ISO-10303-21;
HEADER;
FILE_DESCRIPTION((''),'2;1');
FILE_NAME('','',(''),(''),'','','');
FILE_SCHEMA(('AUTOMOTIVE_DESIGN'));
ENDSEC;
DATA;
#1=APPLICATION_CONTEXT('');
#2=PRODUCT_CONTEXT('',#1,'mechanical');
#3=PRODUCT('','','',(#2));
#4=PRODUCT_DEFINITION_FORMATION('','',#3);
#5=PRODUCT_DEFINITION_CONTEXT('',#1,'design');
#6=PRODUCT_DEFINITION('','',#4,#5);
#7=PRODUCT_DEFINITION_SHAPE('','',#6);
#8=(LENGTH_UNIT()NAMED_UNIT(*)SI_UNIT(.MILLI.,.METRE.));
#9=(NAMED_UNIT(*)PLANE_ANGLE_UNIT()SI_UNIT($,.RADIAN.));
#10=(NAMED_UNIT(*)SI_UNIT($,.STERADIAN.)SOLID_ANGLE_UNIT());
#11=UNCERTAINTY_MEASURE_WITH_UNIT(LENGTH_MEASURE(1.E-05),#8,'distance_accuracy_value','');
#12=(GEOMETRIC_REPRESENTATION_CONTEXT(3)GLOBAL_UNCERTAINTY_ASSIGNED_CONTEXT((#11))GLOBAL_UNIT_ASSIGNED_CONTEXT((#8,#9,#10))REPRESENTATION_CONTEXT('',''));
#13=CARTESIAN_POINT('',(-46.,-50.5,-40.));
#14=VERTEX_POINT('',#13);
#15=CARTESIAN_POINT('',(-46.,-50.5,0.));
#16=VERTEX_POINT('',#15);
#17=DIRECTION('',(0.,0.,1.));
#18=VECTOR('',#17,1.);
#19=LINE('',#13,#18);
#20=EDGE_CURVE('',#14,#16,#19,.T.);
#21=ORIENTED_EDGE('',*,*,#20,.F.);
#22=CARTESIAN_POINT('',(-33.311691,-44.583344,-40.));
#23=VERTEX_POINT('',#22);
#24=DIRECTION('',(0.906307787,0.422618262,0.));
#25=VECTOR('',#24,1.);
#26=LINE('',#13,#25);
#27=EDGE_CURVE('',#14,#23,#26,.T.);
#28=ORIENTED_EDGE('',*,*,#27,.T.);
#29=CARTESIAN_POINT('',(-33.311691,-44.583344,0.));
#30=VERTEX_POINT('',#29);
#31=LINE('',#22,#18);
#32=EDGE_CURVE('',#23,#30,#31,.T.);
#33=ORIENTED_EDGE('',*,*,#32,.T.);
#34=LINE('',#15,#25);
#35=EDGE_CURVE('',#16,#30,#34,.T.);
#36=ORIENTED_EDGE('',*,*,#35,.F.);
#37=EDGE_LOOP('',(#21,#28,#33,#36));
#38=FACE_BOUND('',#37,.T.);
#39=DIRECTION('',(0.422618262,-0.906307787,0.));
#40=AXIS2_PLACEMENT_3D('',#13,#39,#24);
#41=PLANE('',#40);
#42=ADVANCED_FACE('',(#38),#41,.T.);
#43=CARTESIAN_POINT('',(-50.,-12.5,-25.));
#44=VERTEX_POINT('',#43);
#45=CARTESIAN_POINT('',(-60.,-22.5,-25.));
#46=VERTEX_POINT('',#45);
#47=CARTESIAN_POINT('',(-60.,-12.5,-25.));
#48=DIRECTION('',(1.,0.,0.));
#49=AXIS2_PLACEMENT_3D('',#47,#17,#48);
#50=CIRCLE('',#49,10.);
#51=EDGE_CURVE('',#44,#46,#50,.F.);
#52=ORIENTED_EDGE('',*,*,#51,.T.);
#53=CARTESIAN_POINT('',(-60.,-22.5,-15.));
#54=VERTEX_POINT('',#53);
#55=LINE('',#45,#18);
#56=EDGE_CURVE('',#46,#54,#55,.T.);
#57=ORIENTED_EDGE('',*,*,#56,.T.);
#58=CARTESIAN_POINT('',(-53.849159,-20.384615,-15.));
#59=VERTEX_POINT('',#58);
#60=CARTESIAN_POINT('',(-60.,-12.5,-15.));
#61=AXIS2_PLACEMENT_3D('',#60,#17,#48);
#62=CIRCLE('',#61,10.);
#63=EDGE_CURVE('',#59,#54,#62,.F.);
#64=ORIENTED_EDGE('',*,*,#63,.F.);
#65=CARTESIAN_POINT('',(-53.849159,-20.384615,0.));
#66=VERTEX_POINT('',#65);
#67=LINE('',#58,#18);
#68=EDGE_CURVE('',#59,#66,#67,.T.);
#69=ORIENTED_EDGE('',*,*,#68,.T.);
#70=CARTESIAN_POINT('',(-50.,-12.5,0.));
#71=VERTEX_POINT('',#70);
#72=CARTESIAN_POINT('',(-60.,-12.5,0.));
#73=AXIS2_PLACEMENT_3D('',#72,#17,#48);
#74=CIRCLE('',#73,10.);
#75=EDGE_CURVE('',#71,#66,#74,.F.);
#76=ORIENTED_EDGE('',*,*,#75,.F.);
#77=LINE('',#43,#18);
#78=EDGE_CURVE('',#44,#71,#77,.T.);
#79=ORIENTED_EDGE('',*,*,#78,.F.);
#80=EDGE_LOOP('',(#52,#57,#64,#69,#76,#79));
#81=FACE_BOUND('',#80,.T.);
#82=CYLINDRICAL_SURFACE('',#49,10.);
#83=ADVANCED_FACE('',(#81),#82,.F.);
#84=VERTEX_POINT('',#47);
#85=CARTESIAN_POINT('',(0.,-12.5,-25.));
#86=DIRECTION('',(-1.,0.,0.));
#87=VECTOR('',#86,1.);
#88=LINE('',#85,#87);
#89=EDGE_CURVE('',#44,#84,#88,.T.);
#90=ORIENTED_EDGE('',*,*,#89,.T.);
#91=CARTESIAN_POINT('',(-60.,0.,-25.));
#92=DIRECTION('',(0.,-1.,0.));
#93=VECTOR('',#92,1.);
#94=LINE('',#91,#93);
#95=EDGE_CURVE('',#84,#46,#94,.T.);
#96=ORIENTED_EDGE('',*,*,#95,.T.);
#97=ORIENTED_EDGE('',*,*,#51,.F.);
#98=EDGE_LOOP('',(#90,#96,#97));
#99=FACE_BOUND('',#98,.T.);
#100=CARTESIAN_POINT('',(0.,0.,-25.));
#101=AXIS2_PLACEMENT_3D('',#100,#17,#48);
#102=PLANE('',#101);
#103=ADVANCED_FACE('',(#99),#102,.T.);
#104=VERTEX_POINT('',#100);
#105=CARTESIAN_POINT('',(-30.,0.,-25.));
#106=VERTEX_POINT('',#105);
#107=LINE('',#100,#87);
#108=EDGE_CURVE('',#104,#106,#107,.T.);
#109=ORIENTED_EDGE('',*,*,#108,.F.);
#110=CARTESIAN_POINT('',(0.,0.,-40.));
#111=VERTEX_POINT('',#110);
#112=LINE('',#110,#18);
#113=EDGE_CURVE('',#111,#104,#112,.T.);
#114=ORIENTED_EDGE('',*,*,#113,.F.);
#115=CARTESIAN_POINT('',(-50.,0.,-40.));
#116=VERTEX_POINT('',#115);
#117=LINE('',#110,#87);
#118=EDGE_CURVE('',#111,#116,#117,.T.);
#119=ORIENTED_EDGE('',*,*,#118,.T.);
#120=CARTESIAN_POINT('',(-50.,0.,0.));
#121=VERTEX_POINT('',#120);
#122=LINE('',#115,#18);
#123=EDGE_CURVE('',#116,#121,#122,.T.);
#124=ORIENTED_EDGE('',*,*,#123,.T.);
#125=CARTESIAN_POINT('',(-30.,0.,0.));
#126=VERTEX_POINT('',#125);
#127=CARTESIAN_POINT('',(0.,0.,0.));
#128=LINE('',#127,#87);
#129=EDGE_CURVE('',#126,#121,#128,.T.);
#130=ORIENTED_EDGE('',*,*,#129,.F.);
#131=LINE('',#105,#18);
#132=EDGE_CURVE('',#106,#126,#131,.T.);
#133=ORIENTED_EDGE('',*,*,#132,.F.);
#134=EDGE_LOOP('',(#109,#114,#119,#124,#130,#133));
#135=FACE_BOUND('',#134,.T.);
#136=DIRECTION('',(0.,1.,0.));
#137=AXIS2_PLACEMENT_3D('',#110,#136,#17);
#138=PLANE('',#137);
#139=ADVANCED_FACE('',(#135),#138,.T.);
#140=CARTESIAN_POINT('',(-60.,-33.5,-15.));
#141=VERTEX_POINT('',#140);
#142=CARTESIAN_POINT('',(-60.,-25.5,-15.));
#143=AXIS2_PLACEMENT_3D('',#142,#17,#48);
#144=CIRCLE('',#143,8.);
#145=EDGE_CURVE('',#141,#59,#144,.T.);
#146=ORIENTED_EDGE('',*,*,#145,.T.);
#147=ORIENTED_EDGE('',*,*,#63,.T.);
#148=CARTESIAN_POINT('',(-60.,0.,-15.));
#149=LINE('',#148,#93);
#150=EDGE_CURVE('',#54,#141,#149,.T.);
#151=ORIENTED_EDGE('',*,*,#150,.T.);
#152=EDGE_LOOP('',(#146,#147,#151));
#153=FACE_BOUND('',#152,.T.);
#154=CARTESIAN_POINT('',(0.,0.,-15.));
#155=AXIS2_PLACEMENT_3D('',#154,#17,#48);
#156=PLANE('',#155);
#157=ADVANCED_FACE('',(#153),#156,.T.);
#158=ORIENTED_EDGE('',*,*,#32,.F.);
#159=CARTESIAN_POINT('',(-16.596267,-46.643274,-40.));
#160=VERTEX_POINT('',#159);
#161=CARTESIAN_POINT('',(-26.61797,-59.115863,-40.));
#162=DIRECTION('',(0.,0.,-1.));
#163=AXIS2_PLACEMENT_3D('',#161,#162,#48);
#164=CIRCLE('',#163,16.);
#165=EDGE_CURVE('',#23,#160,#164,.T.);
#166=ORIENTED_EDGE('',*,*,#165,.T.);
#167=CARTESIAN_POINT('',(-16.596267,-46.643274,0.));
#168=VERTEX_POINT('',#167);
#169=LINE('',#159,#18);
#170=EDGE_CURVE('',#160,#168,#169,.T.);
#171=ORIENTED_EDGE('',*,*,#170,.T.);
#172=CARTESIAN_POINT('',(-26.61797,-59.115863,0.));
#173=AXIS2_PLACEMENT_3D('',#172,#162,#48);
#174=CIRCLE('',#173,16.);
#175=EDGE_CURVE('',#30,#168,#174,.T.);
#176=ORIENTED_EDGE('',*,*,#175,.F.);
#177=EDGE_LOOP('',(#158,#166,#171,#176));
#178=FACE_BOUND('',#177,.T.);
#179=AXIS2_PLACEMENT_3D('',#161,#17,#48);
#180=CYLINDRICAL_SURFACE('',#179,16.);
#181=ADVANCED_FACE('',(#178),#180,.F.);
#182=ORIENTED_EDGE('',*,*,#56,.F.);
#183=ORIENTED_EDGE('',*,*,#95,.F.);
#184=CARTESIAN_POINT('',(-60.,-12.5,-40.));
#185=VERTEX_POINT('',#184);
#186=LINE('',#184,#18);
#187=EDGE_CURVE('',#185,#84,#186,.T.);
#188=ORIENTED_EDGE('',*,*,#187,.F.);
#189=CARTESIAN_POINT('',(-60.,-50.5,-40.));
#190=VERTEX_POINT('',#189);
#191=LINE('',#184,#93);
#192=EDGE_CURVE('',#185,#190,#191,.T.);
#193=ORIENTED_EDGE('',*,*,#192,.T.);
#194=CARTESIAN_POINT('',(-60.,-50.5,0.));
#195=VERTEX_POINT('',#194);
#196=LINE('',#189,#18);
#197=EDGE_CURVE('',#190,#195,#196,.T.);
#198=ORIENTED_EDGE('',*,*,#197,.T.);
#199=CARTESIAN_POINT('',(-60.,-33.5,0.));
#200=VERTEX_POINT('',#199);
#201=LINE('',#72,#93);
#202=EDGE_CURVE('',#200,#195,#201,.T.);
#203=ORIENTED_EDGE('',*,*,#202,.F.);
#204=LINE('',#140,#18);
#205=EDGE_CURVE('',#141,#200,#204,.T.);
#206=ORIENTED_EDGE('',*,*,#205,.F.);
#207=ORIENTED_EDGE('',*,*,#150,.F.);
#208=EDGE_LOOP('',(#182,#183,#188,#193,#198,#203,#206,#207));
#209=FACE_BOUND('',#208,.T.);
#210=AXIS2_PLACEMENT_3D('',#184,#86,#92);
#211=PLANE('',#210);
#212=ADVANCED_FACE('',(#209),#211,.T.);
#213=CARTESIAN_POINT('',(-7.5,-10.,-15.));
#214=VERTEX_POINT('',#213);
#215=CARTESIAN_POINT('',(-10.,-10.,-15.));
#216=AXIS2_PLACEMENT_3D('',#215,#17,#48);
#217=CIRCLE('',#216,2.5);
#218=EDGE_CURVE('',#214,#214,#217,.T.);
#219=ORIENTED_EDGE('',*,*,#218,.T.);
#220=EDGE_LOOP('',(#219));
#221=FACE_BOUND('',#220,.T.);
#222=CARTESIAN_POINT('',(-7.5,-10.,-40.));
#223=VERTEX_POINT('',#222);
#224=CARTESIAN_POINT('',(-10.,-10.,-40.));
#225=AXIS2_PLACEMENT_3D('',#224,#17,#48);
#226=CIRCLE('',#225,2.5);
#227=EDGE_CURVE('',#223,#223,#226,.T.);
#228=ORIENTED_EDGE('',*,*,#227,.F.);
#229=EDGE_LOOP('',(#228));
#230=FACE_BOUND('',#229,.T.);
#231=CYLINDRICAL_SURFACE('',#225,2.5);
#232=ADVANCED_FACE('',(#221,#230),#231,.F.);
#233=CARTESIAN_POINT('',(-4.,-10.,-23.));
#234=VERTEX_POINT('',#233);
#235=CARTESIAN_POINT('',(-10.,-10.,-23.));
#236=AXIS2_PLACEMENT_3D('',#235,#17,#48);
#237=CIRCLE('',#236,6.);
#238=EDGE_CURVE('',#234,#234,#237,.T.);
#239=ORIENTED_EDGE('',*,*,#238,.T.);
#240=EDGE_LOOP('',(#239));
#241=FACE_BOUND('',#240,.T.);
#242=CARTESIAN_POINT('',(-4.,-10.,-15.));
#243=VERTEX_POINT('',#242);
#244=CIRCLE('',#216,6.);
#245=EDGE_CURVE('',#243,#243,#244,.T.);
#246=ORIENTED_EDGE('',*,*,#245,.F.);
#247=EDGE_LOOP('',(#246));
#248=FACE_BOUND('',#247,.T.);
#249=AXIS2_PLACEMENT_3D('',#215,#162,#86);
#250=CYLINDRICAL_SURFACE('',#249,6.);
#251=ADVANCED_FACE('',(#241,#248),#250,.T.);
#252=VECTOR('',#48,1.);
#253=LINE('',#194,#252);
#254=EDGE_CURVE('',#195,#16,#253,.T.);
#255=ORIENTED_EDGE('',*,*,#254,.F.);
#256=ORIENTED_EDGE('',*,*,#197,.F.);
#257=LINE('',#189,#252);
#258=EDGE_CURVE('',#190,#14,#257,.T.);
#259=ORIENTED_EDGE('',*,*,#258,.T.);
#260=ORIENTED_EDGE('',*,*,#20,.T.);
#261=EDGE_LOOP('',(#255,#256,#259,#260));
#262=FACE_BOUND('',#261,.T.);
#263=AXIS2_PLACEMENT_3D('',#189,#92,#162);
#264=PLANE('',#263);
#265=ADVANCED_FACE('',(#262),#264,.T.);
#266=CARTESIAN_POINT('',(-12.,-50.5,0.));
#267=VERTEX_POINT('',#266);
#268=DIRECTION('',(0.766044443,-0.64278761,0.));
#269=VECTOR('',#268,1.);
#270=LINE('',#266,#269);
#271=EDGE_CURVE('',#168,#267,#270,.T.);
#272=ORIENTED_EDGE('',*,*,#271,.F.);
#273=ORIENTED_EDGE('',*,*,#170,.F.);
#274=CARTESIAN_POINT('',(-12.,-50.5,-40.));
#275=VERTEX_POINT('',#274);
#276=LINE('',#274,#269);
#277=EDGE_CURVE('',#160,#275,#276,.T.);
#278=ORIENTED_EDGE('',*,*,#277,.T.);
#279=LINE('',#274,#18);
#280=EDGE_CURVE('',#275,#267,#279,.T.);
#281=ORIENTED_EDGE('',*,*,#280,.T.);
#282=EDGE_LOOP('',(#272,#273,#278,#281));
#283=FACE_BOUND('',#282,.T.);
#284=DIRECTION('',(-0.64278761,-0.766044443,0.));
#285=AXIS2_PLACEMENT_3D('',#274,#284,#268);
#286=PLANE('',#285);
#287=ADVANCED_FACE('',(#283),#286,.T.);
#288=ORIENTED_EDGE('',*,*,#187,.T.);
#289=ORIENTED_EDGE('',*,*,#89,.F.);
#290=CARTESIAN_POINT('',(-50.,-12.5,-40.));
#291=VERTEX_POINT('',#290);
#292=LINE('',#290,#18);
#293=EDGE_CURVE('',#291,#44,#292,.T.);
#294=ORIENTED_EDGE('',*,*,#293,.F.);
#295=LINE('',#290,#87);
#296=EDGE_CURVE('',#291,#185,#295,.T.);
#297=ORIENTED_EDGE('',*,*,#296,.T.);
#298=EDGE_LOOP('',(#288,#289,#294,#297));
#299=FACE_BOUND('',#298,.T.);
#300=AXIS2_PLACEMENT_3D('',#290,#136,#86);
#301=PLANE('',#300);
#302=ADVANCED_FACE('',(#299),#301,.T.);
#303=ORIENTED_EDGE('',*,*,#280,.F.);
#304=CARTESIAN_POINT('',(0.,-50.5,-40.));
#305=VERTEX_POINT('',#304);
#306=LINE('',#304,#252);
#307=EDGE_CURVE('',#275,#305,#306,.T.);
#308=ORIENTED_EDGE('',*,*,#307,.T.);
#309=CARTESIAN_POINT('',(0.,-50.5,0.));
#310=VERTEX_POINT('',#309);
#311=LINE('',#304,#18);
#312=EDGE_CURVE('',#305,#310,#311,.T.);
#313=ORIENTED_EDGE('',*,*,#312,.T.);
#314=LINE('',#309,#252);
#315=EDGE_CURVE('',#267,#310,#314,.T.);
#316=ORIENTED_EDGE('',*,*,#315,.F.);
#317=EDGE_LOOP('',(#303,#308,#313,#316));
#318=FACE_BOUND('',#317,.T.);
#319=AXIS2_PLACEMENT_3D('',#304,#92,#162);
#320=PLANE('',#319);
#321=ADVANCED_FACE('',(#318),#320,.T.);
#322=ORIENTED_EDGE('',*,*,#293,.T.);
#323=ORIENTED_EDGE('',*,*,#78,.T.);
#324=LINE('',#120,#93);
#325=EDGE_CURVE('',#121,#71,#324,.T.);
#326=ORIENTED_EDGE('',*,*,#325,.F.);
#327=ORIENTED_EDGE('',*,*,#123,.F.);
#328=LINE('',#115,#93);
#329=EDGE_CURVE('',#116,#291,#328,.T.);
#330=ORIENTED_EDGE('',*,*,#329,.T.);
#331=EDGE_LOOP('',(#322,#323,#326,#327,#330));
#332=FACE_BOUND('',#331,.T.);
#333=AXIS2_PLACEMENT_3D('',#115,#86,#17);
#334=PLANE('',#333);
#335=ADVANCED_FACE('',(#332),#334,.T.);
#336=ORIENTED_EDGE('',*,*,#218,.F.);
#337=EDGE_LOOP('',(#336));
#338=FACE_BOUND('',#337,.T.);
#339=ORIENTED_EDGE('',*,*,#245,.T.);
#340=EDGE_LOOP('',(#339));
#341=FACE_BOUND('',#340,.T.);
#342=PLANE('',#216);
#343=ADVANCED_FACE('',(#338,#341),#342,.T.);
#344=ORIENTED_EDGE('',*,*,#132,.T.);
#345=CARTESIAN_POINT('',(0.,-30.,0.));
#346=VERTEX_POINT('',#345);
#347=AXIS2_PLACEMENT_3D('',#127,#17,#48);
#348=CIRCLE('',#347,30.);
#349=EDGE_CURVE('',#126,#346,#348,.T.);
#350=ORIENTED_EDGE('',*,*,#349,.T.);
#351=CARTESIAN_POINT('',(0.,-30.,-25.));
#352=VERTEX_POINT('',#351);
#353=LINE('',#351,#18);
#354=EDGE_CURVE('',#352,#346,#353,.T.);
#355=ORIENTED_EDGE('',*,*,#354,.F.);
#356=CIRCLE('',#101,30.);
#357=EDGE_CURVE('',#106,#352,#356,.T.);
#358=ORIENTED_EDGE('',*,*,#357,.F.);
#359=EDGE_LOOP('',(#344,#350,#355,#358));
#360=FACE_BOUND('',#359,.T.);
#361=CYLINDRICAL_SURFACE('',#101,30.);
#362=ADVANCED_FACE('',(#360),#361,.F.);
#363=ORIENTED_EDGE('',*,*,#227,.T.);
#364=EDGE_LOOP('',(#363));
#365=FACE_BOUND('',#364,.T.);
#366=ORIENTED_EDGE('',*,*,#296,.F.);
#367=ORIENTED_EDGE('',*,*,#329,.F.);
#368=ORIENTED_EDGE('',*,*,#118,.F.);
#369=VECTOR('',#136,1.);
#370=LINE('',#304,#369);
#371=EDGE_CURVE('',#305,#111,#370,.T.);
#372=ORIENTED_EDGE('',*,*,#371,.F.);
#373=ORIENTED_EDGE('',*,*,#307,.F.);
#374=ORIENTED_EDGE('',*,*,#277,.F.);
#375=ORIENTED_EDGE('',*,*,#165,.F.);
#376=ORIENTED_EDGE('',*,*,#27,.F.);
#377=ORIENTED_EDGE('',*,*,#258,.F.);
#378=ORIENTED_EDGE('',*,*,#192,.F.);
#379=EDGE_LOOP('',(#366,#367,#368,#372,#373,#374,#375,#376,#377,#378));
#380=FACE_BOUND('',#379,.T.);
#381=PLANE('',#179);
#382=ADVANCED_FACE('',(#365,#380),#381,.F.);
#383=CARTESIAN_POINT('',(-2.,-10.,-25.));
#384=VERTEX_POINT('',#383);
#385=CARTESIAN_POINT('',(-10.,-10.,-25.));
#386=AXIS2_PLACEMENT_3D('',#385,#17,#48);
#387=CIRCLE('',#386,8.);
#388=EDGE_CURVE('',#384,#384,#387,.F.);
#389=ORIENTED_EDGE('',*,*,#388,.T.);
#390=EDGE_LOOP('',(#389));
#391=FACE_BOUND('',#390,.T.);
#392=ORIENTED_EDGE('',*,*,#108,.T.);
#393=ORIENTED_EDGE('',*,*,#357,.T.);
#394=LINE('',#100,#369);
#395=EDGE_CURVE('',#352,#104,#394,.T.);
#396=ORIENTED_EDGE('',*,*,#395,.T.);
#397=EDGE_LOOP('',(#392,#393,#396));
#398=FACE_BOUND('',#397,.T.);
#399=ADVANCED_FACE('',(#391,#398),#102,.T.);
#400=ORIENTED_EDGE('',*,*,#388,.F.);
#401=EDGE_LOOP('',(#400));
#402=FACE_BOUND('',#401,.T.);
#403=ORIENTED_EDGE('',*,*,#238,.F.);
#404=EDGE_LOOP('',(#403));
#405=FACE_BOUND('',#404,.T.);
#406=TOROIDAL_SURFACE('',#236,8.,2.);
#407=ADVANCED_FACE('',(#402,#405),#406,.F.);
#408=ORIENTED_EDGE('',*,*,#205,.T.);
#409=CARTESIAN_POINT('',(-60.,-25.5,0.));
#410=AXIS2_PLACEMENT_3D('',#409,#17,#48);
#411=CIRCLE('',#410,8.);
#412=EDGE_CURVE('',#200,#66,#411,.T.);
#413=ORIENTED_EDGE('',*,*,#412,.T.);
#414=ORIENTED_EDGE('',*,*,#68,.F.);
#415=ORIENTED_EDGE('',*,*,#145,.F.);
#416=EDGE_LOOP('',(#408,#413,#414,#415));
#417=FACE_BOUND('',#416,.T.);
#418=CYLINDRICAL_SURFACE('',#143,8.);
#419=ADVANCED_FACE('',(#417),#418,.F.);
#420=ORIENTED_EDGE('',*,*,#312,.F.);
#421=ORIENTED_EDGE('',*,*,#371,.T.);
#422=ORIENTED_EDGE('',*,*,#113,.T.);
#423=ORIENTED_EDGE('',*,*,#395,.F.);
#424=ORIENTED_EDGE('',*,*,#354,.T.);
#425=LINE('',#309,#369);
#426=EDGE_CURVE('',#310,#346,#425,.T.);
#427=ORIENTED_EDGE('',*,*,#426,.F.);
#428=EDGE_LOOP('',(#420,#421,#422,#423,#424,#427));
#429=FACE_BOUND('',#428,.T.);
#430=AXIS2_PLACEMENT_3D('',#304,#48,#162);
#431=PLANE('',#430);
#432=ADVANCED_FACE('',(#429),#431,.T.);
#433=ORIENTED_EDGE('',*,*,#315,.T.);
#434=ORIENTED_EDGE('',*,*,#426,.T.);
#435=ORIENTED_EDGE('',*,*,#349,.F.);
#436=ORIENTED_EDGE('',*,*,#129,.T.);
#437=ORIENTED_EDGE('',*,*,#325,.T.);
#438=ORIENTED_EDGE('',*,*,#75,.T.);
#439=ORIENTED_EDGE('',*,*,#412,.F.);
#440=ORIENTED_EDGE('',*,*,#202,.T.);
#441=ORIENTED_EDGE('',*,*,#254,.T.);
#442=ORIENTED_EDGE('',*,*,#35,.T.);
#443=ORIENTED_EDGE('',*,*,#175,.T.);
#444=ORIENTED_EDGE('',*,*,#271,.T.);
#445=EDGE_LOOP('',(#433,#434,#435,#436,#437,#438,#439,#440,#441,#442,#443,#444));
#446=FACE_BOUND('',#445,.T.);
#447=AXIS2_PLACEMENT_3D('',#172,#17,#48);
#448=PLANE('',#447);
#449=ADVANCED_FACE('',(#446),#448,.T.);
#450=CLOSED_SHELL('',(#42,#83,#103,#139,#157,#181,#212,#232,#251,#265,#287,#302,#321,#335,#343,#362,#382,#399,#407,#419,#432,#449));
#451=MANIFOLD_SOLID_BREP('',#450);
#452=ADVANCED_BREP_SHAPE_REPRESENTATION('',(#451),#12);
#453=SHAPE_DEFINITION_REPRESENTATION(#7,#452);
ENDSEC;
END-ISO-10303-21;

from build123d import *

# Parameters (mm, degrees)
BOSS_EXTRUDE1_DEPTH = 40
CUT_EXTRUDE1_DEPTH  = 25
CUT_EXTRUDE2_DEPTH  = 15
SKETCH3_R           = 2.5
CUT_EXTRUDE3_DEPTH  = 83.311906794
BOSS_EXTRUDE2_START = 10
SKETCH3_6_R         = 6
SKETCH3_6_R_2       = 2.5
BOSS_EXTRUDE2_DEPTH = 10
FILLET2_R           = 2


with BuildPart() as part:
    # Sketch1 → Boss-Extrude1 (new body)
    with BuildSketch(Plane.XY):
        with BuildLine():
            Line((0, 0), (-50, 0))
            Line((-50, 0), (-50, -12.5))
            Line((-50, -12.5), (-60, -12.5))
            Line((-60, -12.5), (-60, -50.5))
            Line((-60, -50.5), (-46, -50.5))
            Line((-46, -50.5), (-33.311690981, -44.583344336))
            ThreePointArc((-33.311690981, -44.583344336), (-24.66100943, -43.235991833), (-16.596266659, -46.643274342))
            Line((-16.596266659, -46.643274342), (-12, -50.5))
            Line((-12, -50.5), (0, -50.5))
            Line((0, -50.5), (0, 0))
        make_face()
    extrude(amount=-BOSS_EXTRUDE1_DEPTH)

    # Sketch2 → Cut-Extrude1 (cut)
    with BuildSketch(Plane.XY):
        with BuildLine():
            ThreePointArc((-60, -22.5), (-52.928932188, -19.571067812), (-50, -12.5))
            Line((-50, -12.5), (-60, -12.5))
            Line((-60, -12.5), (-60, -22.5))
        make_face()
        with BuildLine():
            Line((0, 0), (-30, 0))
            ThreePointArc((-30, 0), (-21.213203436, -21.213203436), (0, -30))
            Line((0, -30), (0, 0))
        make_face()
    extrude(amount=-CUT_EXTRUDE1_DEPTH, mode=Mode.SUBTRACT)

    # Sketch2<7> → Cut-Extrude2 (cut)
    with BuildSketch(Plane.XY):
        with BuildLine():
            ThreePointArc((-60, -33.5), (-52.756966211, -28.896831102), (-53.849159388, -20.384615385))
            ThreePointArc((-53.849159388, -20.384615385), (-56.747781822, -21.956377579), (-60, -22.5))
            Line((-60, -22.5), (-60, -33.5))
        make_face()
    extrude(amount=-CUT_EXTRUDE2_DEPTH, mode=Mode.SUBTRACT)

    # Sketch3 → Cut-Extrude3 (cut, through all)
    with BuildSketch(Plane.XY.offset(-25)):
        with Locations((-10, -10)):
            Circle(SKETCH3_R)
    extrude(amount=-CUT_EXTRUDE3_DEPTH, mode=Mode.SUBTRACT)

    # Sketch3<6> → Boss-Extrude2 (add)
    with BuildSketch(Plane.XY.offset(-25).offset(BOSS_EXTRUDE2_START)):
        with Locations((-10, -10)):
            Circle(SKETCH3_6_R)
        with Locations((-10, -10)):
            Circle(SKETCH3_6_R_2, mode=Mode.SUBTRACT)
    extrude(amount=-BOSS_EXTRUDE2_DEPTH)

    # Fillet2
    fillet2_edges = [part.edges().sort_by_distance(p)[0] for p in [
        (-16, -10, -25),
    ]]
    fillet(fillet2_edges, radius=FILLET2_R)


solid = part.part
